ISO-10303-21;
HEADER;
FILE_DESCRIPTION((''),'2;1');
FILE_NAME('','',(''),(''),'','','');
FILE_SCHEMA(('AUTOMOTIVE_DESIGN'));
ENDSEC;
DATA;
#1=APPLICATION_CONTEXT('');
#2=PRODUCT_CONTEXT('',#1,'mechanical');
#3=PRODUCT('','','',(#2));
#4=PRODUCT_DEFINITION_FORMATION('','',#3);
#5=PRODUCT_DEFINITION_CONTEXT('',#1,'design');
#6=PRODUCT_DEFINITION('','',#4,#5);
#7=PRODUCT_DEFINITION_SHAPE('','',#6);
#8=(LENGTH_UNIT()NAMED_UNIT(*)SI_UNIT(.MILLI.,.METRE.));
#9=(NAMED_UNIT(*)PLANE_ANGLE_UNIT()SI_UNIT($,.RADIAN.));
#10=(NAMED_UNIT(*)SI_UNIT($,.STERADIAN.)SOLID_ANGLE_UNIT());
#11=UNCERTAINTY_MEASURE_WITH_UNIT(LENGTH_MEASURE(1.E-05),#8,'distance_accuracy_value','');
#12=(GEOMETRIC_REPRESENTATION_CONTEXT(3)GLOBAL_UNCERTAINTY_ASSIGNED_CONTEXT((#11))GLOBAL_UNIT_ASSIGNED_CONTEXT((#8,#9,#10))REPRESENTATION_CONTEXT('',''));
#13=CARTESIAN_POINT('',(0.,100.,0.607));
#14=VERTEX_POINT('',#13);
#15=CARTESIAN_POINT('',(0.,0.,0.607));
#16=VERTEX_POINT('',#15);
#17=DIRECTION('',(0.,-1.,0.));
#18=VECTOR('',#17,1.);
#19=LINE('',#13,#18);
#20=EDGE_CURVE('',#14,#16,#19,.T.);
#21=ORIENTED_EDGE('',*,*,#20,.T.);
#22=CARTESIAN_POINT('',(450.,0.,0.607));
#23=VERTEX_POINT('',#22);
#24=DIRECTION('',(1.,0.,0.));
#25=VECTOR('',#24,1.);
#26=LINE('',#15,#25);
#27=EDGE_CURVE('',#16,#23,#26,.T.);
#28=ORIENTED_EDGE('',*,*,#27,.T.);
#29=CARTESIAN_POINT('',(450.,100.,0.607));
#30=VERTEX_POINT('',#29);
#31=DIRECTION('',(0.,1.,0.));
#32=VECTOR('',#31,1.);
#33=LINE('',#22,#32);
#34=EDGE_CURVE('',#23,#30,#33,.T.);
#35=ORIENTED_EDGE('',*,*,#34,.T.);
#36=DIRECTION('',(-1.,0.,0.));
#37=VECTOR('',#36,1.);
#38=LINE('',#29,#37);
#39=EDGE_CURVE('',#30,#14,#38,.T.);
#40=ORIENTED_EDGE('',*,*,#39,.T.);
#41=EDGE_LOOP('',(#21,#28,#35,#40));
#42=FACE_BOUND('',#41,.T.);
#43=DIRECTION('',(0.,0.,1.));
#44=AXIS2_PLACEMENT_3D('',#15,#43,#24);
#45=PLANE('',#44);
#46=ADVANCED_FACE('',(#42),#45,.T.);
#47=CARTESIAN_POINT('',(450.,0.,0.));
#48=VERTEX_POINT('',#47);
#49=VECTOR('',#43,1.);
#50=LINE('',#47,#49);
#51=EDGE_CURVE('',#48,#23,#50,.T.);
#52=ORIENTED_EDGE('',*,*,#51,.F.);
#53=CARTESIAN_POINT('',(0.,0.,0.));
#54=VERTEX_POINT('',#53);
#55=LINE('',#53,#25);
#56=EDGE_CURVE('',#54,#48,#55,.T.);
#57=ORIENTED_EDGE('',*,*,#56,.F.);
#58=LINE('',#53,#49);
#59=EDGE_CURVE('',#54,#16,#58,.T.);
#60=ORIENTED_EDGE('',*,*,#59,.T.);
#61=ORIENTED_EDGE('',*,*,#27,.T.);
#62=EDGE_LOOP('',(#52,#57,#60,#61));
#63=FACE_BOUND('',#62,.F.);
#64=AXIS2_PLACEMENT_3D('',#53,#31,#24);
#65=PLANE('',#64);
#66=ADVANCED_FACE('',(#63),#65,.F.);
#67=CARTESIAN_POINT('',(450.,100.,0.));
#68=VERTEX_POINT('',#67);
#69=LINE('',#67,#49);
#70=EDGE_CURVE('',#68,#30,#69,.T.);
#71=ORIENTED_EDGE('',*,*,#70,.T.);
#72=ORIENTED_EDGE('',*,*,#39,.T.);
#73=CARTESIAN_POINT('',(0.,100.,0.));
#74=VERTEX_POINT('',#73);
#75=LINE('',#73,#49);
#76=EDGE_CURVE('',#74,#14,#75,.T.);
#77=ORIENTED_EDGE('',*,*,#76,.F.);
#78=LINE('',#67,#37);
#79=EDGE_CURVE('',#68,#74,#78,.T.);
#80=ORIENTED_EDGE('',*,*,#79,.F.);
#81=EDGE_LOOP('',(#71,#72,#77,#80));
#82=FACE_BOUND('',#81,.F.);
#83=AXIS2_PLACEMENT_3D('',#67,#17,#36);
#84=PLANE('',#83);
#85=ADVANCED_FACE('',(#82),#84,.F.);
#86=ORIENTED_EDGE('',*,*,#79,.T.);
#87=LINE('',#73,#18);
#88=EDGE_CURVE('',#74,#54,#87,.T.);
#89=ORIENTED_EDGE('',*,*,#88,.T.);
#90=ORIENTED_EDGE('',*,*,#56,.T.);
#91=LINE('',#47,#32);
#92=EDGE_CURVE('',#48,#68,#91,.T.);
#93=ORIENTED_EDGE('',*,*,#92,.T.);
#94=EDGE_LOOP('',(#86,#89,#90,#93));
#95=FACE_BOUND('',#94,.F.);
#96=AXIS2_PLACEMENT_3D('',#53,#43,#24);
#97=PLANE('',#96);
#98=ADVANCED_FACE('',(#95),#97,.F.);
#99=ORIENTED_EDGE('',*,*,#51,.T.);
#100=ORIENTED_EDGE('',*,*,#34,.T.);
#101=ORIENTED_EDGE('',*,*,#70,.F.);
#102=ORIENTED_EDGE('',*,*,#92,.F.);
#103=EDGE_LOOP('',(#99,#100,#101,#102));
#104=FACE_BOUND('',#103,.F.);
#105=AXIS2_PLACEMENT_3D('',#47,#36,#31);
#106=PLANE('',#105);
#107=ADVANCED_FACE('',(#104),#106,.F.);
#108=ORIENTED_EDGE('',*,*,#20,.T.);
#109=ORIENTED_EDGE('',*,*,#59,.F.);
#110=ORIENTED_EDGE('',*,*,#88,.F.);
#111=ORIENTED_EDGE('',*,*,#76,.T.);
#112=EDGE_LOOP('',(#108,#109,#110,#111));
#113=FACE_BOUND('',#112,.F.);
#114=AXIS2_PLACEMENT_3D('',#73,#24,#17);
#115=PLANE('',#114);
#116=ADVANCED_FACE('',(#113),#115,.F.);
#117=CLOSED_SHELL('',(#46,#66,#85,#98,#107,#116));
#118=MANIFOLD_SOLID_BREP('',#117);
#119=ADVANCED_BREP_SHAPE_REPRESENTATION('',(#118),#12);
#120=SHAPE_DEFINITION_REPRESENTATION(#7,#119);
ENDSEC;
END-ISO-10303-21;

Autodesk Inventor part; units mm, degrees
ref_plane "YZ Plane" through (0, 0, 0) normal (1, 0, 0) x (0, 1, 0)
ref_plane "XZ Plane" through (0, 0, 0) normal (0, 1, 0) x (-1, 0, 0)
ref_plane "XY Plane" through (0, 0, 0) normal (0, 0, 1) x (1, 0, 0)
sketch "Sketch1" plane through (0, 0, 0) normal (0, 0, 1) x (1, 0, 0)
  line L0 (0, 0) -> (450, 0)
  line L1 (450, 0) -> (450, 100)
  line L2 (450, 100) -> (0, 100)
  line L3 (0, 100) -> (0, 0)
  dimension "d0" = 450
  dimension "d1" = 100
extrude "Extrusion1" add sketch "Sketch1" along normal blind 0.607
equation "\"BendRadius\" = Thickness"
equation "\"BendReliefWidth\" = Thickness"
equation "\"BendReliefDepth\" = 0.5 * Thickness"
equation "\"CornerReliefSize\" = 4 * Thickness"
equation "\"MinimumRemnant\" = 2 * Thickness"
equation "\"TransitionRadius\" = BendRadius"
equation "\"JacobiRadiusSize\" = BendRadius"
equation "\"GapSize\" = Thickness"
equation "\"Thickness\" = 0.607"
properties part number "project supporting plate" material "Steel, Galvanized"
